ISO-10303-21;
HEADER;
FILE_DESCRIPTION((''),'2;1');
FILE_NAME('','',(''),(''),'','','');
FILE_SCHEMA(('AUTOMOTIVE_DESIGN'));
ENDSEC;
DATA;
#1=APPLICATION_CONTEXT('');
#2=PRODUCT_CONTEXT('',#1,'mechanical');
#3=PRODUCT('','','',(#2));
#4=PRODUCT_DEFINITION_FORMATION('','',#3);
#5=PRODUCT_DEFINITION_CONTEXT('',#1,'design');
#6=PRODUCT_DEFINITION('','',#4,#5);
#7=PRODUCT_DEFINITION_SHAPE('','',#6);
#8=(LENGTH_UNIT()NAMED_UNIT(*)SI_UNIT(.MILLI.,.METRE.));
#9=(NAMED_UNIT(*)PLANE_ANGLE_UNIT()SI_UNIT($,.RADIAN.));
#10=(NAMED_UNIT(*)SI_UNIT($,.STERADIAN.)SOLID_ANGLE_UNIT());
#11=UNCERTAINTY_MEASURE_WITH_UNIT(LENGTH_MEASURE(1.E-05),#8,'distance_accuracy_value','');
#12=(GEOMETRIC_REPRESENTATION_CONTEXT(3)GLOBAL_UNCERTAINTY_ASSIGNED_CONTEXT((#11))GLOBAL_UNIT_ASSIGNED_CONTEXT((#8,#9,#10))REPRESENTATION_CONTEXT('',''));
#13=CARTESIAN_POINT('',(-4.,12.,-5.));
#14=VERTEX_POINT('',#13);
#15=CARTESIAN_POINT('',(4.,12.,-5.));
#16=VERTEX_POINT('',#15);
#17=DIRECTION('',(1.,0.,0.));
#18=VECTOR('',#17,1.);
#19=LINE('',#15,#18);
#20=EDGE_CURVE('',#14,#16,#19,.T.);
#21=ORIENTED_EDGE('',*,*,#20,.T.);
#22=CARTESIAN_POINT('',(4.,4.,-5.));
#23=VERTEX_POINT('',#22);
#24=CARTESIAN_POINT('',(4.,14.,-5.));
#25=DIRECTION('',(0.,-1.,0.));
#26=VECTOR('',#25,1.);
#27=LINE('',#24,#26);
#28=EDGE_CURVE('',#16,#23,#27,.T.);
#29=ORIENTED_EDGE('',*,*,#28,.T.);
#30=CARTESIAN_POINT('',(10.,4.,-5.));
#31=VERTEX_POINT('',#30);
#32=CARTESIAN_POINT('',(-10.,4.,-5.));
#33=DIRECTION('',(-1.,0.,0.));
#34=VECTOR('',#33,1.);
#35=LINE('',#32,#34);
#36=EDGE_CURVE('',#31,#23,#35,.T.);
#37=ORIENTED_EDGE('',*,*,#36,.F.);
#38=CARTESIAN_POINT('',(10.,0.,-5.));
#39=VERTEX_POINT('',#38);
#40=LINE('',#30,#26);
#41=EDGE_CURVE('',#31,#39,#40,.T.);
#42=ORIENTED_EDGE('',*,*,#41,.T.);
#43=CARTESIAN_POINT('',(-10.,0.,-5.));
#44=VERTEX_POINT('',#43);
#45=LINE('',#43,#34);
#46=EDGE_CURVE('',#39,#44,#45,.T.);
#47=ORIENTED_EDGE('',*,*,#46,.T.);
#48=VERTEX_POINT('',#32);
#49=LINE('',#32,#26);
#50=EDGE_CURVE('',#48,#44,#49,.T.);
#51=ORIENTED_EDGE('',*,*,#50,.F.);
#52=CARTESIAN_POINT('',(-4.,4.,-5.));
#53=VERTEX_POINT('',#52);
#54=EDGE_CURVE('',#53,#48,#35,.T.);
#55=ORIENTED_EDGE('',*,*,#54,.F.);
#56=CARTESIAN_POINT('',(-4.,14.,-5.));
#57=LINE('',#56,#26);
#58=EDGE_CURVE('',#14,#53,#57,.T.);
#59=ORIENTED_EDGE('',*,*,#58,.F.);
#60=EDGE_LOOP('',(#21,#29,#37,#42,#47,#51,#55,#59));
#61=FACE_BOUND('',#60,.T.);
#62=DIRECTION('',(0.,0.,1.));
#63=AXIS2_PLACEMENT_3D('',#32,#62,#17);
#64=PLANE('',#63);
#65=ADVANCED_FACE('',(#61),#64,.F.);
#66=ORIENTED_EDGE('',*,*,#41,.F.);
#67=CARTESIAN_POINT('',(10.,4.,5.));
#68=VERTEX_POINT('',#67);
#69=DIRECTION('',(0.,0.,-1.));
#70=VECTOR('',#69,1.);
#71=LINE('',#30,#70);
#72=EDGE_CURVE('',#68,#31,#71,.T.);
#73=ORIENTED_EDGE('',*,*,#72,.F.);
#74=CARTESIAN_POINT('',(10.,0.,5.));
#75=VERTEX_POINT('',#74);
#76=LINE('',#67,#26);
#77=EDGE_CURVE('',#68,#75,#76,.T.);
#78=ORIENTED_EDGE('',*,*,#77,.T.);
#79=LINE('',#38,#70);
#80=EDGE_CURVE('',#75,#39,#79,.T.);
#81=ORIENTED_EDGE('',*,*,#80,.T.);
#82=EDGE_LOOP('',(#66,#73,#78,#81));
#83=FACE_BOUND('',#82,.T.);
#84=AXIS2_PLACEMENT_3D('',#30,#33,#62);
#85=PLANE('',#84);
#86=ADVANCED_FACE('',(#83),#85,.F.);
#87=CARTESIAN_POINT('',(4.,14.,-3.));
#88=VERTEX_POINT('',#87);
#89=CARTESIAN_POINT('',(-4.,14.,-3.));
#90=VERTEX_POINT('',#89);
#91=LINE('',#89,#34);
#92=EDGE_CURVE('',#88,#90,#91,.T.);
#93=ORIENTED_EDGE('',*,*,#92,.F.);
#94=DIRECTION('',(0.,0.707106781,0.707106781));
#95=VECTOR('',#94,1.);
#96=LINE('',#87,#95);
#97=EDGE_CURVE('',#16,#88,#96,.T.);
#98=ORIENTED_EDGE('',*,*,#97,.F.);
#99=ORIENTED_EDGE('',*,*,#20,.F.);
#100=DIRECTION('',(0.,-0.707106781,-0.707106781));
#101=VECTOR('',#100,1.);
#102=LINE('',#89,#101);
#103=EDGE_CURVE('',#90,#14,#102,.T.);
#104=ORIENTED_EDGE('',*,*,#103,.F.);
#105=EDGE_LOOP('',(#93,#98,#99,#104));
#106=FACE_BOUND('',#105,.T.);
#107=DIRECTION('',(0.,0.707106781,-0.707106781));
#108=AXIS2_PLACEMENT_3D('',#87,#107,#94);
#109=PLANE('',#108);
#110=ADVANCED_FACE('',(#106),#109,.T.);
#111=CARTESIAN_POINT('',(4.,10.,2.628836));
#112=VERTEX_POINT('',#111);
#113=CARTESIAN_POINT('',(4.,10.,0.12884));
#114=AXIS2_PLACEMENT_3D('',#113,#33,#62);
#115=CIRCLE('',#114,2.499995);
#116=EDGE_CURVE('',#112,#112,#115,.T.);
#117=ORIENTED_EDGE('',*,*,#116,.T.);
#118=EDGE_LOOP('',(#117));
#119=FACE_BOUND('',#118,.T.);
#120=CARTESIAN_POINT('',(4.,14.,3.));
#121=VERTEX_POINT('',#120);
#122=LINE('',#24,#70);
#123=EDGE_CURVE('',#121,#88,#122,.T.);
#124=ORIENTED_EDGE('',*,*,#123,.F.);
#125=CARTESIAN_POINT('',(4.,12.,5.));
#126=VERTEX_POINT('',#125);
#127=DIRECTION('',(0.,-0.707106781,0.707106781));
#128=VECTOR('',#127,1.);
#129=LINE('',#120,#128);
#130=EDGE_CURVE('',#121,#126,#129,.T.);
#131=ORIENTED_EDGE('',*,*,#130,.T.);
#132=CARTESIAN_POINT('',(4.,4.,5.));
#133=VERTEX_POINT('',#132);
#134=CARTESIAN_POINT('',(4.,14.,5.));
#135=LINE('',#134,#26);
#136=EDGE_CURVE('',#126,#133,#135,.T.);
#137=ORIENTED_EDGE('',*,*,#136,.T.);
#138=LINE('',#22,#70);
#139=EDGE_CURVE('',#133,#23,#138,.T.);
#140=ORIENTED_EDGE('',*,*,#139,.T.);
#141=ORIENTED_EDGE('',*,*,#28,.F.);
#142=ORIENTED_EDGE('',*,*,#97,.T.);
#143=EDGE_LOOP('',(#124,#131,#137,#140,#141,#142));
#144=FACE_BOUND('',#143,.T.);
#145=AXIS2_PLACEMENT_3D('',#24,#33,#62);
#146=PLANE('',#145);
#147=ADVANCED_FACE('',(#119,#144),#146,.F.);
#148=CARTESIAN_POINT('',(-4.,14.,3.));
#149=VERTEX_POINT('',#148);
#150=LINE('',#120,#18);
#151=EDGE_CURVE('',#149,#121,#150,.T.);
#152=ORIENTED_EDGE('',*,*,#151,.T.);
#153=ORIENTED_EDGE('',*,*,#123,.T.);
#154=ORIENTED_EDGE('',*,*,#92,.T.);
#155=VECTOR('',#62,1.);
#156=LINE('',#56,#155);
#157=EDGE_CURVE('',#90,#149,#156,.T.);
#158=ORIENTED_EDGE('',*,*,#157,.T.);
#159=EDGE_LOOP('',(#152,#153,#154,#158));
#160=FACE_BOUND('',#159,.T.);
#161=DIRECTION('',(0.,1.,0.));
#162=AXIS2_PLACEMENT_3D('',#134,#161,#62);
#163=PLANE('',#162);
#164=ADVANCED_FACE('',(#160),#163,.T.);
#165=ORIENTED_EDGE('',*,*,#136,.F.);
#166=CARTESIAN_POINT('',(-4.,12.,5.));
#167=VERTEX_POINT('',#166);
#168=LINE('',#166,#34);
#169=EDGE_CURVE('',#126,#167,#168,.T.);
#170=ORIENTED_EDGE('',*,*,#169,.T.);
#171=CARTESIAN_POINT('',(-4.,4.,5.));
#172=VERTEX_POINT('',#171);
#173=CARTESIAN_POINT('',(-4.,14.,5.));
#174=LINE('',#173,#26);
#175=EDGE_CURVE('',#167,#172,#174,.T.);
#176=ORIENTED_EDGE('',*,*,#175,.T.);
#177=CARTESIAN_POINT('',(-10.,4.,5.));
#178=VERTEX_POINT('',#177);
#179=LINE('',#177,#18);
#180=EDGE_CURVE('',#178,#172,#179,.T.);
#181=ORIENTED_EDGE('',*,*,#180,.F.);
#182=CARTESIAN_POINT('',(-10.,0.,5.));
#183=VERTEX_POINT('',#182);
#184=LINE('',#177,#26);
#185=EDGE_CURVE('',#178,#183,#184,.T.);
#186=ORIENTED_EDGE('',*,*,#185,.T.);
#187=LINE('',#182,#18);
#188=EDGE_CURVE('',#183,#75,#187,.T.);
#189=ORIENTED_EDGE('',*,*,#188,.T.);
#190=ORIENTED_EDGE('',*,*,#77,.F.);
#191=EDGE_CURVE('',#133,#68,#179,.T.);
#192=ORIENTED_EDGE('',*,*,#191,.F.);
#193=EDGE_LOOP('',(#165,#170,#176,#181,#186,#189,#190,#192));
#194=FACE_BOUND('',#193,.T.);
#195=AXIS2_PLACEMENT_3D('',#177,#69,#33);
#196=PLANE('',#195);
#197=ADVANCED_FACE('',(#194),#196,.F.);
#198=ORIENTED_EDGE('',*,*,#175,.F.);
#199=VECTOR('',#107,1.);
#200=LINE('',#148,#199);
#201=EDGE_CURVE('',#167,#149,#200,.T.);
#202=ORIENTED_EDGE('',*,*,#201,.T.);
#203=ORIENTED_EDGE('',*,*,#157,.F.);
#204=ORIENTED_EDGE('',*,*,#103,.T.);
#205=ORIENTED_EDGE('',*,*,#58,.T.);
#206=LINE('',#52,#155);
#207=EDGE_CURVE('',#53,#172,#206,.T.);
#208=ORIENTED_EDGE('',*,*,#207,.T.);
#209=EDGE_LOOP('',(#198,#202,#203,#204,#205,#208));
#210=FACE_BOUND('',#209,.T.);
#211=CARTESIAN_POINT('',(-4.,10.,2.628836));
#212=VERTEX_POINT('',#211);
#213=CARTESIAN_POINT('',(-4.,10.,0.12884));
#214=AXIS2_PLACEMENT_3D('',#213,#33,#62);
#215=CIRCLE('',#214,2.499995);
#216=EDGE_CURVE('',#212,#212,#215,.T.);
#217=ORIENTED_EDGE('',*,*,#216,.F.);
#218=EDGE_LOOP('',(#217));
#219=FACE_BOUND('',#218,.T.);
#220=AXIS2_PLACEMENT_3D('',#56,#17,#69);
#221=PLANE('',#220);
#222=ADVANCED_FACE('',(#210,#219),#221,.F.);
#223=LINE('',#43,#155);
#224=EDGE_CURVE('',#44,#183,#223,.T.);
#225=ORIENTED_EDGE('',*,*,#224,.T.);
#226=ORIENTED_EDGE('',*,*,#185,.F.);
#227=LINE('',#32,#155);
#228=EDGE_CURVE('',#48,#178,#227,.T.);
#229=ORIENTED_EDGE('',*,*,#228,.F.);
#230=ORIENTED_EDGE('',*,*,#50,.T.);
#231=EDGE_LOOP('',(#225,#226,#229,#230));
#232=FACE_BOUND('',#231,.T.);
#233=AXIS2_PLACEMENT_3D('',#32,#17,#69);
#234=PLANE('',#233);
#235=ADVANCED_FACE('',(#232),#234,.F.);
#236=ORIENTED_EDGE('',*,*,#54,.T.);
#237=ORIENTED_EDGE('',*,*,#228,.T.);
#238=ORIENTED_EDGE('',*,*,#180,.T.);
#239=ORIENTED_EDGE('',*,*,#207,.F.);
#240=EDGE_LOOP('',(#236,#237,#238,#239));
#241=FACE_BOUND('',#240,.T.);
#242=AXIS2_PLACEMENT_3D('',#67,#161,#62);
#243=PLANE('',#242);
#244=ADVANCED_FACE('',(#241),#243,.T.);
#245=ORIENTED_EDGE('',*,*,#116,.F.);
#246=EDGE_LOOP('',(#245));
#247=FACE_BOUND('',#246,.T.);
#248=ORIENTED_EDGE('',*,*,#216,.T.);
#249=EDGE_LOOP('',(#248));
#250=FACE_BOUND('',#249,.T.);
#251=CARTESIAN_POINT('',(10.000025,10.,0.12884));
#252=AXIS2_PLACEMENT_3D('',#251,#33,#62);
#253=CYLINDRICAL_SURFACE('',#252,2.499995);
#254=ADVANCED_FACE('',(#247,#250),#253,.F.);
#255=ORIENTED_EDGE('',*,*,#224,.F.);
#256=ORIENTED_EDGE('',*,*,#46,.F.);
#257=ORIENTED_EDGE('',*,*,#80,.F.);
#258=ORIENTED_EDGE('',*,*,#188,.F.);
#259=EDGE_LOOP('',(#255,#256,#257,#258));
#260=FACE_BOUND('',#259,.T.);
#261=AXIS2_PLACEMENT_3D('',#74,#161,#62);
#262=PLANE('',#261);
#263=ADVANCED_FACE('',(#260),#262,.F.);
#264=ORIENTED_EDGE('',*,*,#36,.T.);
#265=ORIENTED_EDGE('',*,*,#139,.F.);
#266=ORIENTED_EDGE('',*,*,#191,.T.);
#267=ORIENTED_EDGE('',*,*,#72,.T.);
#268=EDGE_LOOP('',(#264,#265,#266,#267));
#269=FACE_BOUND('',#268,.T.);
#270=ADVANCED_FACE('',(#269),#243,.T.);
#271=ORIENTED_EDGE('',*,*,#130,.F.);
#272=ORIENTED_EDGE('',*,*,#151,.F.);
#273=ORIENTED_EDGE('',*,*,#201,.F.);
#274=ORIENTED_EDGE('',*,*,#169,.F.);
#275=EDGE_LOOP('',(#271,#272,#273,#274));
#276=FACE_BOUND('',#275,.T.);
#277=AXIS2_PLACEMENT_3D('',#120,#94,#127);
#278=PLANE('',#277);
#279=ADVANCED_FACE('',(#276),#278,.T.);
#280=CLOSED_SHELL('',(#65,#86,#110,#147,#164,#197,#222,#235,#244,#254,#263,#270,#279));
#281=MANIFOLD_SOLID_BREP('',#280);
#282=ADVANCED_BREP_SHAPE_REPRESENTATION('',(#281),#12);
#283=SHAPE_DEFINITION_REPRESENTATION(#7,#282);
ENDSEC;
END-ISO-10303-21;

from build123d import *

# Parameters (mm, degrees)
SKETCH_1_W          = 20
SKETCH_1_H          = 10
EXTRUDE_1_DEPTH     = 4
SKETCH_2_W          = 8
SKETCH_2_H          = 10
EXTRUDE_2_DEPTH     = 10
SKETCH_3_R          = 2.499995339
CUT_EXTRUDE_1_DEPTH = 21.420577857
CHAMFER_1_SIZE      = 2


with BuildPart() as part:
    # Эскиз1 → Вытянуть1 (new body)
    with BuildSketch(Plane(origin=(0, 0, 0), x_dir=(1, 0, 0), z_dir=(0, 1, 0))):
        Rectangle(SKETCH_1_W, SKETCH_1_H)
    extrude(amount=EXTRUDE_1_DEPTH)

    # Эскиз2 → Вытянуть2 (add)
    with BuildSketch(Plane(origin=(0, 4, 0), x_dir=(1, 0, 0), z_dir=(0, 1, 0))):
        Rectangle(SKETCH_2_W, SKETCH_2_H)
    extrude(amount=EXTRUDE_2_DEPTH)

    # Эскиз3 → Вырез-Вытянуть1 (cut, through all)
    with BuildSketch(Plane.ZY.offset(4)):
        with Locations((0.128840194, 10)):
            Circle(SKETCH_3_R)
    extrude(amount=-CUT_EXTRUDE_1_DEPTH, mode=Mode.SUBTRACT)

    # Фаска1
    chamfer_1_edges = [part.edges().sort_by_distance(p)[0] for p in [
        (0, 14, -5),
        (0, 14, 5),
    ]]
    chamfer(chamfer_1_edges, length=CHAMFER_1_SIZE)


solid = part.part
